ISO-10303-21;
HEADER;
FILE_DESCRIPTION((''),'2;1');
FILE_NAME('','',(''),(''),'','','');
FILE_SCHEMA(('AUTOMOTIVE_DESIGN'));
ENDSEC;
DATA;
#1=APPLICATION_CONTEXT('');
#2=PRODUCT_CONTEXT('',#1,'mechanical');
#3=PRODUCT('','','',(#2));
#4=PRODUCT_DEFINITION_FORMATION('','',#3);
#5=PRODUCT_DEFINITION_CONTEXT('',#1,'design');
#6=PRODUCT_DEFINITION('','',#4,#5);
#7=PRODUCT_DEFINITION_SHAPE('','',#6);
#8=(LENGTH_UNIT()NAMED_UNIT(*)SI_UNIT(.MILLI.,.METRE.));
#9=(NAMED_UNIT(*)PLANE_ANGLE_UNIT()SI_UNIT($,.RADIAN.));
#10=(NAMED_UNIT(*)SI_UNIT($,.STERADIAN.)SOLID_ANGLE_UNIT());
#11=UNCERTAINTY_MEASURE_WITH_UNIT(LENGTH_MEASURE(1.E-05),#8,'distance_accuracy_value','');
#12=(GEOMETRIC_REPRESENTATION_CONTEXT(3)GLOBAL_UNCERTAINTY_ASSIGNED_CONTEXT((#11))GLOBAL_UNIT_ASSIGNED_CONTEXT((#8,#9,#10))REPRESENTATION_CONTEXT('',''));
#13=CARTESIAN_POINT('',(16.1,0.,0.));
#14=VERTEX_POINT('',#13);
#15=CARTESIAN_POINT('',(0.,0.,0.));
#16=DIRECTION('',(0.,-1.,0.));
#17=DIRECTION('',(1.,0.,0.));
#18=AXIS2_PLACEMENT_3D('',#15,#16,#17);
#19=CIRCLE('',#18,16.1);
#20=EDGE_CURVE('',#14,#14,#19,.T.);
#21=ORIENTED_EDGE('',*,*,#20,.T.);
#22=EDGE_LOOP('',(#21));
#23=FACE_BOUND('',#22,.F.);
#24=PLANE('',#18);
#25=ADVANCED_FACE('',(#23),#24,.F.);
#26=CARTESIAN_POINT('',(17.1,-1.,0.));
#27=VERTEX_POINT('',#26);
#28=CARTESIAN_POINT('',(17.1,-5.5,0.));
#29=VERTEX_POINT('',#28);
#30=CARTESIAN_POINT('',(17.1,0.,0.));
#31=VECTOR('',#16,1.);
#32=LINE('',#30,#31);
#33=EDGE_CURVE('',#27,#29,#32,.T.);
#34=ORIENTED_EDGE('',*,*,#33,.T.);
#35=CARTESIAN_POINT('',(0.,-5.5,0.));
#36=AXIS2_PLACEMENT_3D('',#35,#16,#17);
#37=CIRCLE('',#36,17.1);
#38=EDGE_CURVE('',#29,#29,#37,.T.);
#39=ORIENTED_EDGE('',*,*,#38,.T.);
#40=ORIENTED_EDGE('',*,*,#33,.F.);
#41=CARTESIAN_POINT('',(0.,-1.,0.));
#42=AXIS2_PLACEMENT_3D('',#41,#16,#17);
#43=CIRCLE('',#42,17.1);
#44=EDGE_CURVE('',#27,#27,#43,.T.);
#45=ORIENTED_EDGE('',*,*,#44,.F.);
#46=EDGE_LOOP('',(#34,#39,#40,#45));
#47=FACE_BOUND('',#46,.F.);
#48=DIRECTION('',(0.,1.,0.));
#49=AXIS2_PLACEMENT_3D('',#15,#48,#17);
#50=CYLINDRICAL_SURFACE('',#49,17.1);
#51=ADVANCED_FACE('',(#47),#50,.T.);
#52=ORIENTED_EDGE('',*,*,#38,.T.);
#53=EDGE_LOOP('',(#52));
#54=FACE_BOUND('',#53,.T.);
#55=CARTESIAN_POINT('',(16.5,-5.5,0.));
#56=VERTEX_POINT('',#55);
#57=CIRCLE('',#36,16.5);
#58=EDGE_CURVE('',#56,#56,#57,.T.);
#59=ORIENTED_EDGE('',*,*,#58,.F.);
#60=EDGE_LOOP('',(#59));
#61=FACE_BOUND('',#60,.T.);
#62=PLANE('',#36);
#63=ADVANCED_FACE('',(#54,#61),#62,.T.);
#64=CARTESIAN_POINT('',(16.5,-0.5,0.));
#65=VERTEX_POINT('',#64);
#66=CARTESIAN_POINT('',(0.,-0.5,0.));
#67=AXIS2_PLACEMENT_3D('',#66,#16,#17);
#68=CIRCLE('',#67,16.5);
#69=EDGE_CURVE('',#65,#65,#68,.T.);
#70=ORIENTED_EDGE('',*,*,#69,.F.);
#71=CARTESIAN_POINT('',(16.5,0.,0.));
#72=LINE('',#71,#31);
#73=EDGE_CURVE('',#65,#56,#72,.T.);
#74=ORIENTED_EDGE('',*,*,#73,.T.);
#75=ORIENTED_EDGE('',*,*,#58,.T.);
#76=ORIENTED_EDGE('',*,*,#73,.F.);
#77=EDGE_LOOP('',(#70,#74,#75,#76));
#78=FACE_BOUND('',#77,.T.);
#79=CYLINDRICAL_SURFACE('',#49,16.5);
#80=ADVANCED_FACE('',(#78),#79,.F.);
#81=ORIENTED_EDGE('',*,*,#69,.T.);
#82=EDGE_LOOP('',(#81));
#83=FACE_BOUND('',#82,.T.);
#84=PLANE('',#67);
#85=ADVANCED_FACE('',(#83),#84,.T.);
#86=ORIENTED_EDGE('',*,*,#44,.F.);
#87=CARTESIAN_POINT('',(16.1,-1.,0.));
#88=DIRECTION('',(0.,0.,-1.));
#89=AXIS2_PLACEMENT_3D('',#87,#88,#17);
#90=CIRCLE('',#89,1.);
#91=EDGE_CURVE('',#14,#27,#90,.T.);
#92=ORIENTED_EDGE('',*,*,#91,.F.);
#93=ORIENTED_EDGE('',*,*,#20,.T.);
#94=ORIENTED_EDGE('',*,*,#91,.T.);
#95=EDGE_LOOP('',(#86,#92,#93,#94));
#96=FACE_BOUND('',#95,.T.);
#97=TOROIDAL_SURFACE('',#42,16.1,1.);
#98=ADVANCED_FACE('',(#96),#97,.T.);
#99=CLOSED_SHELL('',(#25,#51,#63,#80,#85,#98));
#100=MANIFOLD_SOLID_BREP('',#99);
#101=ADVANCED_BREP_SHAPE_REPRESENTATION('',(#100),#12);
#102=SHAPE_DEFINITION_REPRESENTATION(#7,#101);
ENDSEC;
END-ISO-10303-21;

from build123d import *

# Parameters (mm, degrees)
F0_R     = 17.1
F0_R_2   = 16.5
F1_DEPTH = 5.5
F2_DEPTH = 0.5
F3_R     = 1


with BuildPart() as f1:
    # F0 (on Front) → F1 (new body)
    with BuildSketch(Plane.XZ):
        Circle(F0_R)
        Circle(F0_R_2, mode=Mode.SUBTRACT)
    extrude(amount=F1_DEPTH)

    # F0 (on Front) → F2 (join)
    with BuildSketch(Plane.XZ):
        Circle(F0_R_2)
    extrude(amount=F2_DEPTH)

    # F3
    f3_edges = [f1.edges().sort_by_distance(p)[0] for p in [
        (-17.1, 0, 0),
    ]]
    fillet(f3_edges, radius=F3_R)


solid = f1.part
